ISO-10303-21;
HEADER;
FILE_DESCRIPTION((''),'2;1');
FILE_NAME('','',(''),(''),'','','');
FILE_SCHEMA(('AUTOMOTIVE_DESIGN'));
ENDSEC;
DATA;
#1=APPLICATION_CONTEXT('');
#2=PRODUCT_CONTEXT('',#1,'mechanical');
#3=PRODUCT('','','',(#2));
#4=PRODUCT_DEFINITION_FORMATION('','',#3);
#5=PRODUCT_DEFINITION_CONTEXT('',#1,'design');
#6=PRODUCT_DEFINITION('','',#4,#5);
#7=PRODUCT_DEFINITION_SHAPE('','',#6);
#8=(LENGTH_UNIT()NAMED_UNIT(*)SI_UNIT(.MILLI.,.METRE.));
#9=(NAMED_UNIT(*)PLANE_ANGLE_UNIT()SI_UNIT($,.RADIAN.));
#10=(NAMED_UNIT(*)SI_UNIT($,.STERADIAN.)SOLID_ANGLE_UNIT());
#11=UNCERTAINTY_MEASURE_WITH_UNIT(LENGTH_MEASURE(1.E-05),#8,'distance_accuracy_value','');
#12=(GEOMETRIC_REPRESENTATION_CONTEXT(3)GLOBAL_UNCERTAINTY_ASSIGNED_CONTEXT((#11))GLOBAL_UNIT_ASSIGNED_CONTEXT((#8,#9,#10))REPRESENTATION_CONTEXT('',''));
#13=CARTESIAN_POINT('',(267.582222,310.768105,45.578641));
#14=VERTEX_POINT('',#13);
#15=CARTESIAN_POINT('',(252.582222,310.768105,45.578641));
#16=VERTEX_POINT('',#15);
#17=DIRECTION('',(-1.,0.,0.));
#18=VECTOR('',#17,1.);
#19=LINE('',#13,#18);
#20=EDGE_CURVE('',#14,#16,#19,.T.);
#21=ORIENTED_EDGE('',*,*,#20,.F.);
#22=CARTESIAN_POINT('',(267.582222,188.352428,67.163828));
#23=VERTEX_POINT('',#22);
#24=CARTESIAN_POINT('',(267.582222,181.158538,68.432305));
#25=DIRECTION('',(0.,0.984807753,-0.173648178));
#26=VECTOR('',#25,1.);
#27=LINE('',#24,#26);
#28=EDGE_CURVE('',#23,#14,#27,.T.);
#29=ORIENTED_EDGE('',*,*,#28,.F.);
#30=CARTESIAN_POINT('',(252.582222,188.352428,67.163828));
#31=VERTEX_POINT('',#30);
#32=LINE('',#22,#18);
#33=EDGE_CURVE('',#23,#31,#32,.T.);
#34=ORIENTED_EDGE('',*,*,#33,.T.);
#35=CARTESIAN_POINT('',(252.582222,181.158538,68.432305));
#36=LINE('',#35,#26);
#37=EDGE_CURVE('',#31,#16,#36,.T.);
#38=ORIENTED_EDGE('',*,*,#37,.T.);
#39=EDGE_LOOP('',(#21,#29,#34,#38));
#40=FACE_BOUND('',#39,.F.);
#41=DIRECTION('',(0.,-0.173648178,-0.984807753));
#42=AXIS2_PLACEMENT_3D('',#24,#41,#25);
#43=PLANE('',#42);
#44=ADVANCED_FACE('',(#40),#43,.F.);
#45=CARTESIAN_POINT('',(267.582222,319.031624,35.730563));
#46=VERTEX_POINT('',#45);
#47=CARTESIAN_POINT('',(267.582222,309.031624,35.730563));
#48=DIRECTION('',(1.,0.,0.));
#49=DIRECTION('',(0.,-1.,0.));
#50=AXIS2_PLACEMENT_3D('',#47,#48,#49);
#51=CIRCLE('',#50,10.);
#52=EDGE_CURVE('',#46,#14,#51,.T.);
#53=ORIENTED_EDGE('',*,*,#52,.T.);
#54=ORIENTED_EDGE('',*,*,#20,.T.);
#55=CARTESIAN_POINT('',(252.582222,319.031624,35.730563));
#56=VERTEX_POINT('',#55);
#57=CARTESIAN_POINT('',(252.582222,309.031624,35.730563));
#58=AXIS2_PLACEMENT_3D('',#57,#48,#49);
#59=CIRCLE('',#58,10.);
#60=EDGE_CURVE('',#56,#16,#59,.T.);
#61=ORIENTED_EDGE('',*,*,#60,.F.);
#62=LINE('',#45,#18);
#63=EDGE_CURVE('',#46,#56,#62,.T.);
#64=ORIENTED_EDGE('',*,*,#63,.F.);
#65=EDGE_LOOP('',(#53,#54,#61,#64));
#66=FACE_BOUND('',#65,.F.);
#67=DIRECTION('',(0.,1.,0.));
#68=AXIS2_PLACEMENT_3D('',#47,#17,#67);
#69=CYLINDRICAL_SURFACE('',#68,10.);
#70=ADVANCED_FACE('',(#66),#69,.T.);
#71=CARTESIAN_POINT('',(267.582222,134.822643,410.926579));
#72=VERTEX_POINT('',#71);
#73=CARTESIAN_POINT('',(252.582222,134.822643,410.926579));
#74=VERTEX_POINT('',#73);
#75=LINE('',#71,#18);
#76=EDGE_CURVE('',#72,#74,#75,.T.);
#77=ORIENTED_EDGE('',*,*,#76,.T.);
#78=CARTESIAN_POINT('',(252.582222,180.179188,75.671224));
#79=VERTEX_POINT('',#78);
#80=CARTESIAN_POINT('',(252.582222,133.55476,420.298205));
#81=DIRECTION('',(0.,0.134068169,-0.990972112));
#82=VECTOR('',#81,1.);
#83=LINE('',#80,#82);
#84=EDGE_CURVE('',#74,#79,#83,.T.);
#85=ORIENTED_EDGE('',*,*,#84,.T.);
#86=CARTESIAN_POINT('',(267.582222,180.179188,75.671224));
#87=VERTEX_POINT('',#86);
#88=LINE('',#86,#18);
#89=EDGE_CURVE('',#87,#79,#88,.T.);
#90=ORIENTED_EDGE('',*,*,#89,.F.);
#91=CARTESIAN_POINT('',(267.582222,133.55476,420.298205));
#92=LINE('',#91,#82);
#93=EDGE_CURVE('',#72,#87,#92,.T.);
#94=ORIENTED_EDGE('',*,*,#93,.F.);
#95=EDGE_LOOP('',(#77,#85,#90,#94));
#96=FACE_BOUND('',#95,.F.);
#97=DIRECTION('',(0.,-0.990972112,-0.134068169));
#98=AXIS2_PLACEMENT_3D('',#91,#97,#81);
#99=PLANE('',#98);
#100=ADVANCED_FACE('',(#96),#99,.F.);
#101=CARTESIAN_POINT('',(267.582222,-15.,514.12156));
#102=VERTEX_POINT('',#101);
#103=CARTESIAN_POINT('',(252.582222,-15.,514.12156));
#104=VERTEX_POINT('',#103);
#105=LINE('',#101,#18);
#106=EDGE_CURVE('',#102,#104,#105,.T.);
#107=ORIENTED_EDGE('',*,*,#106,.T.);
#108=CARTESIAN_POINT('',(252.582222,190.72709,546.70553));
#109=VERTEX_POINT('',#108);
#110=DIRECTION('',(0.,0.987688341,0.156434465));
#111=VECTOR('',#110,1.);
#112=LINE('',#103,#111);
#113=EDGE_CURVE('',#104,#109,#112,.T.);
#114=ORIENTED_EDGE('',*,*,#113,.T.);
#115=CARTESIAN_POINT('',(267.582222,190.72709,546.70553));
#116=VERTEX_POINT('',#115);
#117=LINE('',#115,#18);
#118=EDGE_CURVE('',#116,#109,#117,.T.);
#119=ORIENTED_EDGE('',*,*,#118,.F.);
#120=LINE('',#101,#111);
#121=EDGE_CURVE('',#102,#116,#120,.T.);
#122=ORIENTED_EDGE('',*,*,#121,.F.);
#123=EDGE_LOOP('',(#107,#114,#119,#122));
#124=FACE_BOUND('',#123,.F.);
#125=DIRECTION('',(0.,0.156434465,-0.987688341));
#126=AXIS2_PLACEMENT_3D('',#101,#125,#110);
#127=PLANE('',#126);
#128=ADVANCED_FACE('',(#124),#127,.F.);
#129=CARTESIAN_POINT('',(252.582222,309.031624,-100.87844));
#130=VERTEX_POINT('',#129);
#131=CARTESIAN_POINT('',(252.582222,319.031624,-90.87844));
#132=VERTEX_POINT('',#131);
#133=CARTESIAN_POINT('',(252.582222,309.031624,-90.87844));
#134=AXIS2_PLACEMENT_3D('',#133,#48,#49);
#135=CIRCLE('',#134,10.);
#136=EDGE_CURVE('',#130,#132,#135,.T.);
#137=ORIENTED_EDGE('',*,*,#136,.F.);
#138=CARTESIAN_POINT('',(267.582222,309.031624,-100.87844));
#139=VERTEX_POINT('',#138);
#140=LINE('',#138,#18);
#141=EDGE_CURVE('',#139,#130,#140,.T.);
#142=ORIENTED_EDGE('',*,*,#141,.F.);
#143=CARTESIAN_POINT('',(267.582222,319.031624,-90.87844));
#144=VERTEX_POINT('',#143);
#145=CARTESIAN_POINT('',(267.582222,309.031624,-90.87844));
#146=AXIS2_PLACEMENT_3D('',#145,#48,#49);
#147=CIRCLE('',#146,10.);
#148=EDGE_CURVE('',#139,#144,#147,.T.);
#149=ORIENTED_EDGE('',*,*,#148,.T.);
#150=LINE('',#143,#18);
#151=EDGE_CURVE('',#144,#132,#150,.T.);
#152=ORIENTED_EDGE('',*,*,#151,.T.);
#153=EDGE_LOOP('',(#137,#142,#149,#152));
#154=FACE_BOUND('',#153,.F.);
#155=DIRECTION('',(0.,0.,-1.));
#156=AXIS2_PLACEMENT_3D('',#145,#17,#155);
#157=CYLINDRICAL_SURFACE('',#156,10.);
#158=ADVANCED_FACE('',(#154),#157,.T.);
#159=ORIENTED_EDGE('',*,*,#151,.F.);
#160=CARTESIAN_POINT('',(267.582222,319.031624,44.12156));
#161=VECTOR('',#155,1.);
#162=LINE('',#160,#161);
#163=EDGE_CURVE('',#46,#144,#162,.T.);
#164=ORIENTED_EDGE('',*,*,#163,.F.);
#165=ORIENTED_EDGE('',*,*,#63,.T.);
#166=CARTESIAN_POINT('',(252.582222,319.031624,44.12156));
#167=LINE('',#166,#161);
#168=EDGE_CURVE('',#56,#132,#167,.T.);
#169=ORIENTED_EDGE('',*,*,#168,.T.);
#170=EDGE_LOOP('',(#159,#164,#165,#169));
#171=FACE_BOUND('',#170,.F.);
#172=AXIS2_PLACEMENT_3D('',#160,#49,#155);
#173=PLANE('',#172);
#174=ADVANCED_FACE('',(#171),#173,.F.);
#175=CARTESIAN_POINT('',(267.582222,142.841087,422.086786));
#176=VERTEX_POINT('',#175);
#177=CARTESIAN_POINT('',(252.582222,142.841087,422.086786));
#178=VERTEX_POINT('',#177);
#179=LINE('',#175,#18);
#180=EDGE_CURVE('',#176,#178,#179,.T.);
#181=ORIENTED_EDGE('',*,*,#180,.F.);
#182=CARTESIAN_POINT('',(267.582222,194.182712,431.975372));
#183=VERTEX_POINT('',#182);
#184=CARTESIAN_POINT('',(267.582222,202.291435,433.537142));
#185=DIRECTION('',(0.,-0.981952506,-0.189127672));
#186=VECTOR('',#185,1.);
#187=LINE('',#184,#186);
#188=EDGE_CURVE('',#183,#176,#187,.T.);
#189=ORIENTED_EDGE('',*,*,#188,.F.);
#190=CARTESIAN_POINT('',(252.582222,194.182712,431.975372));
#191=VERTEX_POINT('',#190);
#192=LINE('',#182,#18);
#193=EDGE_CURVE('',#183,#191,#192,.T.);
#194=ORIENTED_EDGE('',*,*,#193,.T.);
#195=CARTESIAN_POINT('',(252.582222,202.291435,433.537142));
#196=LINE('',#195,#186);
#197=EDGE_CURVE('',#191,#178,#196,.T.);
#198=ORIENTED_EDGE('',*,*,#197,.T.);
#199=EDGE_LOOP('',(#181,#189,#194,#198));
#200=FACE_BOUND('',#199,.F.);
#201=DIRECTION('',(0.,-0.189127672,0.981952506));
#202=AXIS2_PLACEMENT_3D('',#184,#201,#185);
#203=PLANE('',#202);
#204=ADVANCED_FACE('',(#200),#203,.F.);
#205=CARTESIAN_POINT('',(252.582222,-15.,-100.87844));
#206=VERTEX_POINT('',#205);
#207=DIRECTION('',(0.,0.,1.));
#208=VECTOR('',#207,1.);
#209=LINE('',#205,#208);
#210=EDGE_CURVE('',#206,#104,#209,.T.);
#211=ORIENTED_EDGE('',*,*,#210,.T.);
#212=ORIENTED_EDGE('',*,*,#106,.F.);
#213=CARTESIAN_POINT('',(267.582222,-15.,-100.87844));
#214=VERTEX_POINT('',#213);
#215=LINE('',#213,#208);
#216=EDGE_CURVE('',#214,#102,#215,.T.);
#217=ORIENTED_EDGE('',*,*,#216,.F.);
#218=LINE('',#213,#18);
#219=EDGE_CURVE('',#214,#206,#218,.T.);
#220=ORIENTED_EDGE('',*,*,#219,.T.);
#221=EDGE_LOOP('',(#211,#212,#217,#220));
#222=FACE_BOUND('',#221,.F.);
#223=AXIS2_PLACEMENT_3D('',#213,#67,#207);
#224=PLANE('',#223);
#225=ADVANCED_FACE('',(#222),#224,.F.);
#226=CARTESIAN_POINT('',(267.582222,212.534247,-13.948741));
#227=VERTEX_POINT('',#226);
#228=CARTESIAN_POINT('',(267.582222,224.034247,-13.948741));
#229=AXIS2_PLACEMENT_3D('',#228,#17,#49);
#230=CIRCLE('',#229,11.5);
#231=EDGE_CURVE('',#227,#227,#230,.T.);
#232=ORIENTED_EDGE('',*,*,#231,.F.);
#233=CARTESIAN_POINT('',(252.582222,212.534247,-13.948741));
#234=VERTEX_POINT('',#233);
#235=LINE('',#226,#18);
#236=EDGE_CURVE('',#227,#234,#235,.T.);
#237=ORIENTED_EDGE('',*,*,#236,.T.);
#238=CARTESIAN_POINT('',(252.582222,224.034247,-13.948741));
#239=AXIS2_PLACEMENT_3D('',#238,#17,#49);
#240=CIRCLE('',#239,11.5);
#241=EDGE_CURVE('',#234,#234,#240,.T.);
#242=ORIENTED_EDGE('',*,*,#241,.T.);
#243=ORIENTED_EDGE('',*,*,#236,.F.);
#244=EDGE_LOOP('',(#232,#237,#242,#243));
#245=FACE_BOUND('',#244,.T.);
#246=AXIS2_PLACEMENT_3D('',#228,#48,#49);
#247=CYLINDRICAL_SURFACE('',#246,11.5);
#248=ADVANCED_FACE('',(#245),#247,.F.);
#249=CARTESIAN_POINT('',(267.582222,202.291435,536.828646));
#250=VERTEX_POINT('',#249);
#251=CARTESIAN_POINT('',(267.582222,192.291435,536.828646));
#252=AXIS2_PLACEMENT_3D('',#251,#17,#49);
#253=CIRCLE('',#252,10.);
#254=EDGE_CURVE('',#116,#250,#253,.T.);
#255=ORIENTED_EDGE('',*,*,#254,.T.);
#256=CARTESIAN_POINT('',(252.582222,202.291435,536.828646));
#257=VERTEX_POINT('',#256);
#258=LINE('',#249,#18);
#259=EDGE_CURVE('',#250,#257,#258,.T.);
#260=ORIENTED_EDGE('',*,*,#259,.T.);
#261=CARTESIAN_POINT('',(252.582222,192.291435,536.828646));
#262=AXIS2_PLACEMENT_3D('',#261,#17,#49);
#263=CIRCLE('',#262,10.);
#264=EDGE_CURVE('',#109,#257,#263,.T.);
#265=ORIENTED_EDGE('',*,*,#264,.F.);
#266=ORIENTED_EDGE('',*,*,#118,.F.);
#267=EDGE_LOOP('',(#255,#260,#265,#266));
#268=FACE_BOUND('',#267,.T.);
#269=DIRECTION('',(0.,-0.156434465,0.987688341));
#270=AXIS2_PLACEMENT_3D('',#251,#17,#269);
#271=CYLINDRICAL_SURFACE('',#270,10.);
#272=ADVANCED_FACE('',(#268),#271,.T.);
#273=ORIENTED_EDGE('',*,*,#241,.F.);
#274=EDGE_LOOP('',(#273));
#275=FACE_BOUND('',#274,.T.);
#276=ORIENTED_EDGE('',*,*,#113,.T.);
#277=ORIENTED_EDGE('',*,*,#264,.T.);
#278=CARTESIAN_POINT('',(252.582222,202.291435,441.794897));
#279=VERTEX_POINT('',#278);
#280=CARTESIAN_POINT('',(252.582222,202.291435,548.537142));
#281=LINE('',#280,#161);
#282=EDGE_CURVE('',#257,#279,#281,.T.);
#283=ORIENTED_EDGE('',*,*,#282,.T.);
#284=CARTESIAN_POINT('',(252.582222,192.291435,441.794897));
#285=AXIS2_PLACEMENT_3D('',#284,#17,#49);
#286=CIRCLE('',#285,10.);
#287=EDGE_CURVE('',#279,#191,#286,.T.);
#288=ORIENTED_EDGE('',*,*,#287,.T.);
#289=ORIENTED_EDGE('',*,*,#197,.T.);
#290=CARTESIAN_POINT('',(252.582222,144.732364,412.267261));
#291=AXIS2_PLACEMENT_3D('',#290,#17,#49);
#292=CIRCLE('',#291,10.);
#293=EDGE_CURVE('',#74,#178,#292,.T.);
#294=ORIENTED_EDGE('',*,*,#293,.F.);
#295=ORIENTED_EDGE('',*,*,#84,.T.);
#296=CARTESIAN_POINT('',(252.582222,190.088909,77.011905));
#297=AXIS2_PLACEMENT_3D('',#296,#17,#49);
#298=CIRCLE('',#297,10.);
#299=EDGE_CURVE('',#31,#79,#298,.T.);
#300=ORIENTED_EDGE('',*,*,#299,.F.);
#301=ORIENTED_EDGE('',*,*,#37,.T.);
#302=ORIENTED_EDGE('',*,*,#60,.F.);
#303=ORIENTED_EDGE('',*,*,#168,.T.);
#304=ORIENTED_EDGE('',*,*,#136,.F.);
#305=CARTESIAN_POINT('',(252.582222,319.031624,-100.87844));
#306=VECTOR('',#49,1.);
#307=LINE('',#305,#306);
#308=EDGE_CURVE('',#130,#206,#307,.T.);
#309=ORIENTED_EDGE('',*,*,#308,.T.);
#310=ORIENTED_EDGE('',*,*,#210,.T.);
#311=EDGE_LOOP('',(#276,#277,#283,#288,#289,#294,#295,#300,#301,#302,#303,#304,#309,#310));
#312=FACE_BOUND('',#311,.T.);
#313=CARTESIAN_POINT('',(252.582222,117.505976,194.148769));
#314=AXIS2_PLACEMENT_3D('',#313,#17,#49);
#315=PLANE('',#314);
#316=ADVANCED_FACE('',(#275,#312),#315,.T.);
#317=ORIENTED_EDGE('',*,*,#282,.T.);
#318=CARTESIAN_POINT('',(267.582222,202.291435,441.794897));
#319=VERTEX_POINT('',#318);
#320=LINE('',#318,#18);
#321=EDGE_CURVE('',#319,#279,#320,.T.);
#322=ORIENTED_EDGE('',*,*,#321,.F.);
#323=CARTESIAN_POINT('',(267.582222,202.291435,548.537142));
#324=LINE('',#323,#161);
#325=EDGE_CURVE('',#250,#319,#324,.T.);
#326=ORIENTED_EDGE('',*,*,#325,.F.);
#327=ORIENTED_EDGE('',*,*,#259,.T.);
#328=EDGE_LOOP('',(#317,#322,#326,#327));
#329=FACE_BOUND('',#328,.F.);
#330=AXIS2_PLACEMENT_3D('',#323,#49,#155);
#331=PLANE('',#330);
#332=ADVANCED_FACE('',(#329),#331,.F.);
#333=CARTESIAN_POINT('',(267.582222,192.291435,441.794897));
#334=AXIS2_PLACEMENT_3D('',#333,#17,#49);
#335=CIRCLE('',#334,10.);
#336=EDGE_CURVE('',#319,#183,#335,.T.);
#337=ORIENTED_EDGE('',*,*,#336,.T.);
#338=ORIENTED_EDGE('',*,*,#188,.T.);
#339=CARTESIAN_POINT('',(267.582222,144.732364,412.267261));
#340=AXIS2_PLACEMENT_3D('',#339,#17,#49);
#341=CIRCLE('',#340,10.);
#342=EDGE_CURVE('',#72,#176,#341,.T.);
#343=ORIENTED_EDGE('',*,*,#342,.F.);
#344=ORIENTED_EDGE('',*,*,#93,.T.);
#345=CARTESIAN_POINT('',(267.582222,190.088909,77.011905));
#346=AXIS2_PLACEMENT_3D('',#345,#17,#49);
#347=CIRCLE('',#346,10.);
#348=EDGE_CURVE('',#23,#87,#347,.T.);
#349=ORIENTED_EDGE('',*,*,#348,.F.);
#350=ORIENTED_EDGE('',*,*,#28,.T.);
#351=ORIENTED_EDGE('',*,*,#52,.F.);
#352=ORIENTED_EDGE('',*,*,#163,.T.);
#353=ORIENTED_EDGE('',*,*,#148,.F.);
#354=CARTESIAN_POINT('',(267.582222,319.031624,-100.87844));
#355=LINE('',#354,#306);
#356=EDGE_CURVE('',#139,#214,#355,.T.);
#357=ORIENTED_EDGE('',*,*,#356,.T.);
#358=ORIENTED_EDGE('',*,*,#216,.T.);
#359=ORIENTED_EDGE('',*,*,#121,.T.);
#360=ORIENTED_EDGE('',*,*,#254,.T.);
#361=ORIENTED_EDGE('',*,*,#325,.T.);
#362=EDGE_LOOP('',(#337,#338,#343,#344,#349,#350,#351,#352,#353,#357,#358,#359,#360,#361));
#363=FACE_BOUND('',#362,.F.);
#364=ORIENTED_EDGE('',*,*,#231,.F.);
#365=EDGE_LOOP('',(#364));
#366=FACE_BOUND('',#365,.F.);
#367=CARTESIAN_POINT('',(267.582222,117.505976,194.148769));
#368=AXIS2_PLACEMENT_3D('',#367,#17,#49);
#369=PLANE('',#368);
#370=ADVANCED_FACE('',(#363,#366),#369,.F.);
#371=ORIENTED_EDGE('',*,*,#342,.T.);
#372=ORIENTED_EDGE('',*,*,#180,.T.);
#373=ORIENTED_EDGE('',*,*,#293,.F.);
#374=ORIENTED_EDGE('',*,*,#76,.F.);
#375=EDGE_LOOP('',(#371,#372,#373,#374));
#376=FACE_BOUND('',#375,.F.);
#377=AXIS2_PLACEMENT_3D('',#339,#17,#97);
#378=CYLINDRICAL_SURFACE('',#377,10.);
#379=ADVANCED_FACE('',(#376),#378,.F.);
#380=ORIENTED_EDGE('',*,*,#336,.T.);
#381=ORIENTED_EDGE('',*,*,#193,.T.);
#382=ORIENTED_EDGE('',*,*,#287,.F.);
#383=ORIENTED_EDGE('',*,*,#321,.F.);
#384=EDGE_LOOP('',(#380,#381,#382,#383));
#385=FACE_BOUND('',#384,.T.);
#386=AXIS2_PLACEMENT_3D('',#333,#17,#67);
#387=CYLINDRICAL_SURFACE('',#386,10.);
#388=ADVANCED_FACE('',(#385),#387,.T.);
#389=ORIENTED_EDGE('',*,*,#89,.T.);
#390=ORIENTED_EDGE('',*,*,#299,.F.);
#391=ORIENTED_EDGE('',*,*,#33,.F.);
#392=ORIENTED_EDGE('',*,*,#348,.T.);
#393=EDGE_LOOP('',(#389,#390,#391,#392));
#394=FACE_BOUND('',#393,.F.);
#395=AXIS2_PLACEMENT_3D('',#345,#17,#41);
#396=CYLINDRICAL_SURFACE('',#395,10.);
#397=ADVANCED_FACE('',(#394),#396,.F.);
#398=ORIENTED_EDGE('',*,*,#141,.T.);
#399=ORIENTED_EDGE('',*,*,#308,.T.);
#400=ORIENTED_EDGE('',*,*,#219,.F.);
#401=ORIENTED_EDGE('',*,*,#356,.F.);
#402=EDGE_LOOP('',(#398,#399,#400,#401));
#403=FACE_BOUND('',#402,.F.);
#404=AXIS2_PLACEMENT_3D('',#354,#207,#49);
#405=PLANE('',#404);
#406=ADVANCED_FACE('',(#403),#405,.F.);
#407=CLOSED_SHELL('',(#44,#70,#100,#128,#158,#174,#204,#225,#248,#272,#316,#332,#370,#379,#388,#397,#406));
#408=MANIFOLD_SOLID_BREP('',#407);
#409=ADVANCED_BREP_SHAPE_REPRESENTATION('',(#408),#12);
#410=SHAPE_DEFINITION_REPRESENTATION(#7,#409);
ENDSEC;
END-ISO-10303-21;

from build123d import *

# Parameters (mm, degrees)
F0_R     = 11.5
F1_DEPTH = 15
F2_ANGLE = 90
F3_R     = 10


with BuildPart() as f1:
    # F0 (on Front) → F1 (new body)
    with BuildSketch(Plane.XZ):
        Polygon((-81.4494020062, -100.8784402028), (252.5822216817, -100.8784402028), (252.5822216817, 514.1215597972), (35.2907867508, 548.5371421061), (35.2907867508, 433.5371421061), (104.0274621586, 420.2982050686), (56.4236834155, 68.4323046706), (-81.4494020062, 44.1215597972), align=None)
        with Locations((13.5479746163, -13.94874061)):
            Circle(F0_R, mode=Mode.SUBTRACT)
    extrude(amount=F1_DEPTH)


with BuildPart() as f1_1:
    # F2: moved
    add(f1.part.rotate(Axis((252.5822216817, -15, 206.6215597972), (0, 0, -1)), F2_ANGLE))

    # F3
    f3_edges = [f1_1.edges().sort_by_distance(p)[0] for p in [
        (260.082222, 202.291435, 548.537142),
        (260.082222, 202.291435, 433.537142),
        (260.082222, 133.55476, 420.298205),
        (260.082222, 181.158538, 68.432305),
        (260.082222, 319.031624, 44.12156),
        (260.082222, 319.031624, -100.87844),
    ]]
    fillet(f3_edges, radius=F3_R)


solid = f1_1.part
